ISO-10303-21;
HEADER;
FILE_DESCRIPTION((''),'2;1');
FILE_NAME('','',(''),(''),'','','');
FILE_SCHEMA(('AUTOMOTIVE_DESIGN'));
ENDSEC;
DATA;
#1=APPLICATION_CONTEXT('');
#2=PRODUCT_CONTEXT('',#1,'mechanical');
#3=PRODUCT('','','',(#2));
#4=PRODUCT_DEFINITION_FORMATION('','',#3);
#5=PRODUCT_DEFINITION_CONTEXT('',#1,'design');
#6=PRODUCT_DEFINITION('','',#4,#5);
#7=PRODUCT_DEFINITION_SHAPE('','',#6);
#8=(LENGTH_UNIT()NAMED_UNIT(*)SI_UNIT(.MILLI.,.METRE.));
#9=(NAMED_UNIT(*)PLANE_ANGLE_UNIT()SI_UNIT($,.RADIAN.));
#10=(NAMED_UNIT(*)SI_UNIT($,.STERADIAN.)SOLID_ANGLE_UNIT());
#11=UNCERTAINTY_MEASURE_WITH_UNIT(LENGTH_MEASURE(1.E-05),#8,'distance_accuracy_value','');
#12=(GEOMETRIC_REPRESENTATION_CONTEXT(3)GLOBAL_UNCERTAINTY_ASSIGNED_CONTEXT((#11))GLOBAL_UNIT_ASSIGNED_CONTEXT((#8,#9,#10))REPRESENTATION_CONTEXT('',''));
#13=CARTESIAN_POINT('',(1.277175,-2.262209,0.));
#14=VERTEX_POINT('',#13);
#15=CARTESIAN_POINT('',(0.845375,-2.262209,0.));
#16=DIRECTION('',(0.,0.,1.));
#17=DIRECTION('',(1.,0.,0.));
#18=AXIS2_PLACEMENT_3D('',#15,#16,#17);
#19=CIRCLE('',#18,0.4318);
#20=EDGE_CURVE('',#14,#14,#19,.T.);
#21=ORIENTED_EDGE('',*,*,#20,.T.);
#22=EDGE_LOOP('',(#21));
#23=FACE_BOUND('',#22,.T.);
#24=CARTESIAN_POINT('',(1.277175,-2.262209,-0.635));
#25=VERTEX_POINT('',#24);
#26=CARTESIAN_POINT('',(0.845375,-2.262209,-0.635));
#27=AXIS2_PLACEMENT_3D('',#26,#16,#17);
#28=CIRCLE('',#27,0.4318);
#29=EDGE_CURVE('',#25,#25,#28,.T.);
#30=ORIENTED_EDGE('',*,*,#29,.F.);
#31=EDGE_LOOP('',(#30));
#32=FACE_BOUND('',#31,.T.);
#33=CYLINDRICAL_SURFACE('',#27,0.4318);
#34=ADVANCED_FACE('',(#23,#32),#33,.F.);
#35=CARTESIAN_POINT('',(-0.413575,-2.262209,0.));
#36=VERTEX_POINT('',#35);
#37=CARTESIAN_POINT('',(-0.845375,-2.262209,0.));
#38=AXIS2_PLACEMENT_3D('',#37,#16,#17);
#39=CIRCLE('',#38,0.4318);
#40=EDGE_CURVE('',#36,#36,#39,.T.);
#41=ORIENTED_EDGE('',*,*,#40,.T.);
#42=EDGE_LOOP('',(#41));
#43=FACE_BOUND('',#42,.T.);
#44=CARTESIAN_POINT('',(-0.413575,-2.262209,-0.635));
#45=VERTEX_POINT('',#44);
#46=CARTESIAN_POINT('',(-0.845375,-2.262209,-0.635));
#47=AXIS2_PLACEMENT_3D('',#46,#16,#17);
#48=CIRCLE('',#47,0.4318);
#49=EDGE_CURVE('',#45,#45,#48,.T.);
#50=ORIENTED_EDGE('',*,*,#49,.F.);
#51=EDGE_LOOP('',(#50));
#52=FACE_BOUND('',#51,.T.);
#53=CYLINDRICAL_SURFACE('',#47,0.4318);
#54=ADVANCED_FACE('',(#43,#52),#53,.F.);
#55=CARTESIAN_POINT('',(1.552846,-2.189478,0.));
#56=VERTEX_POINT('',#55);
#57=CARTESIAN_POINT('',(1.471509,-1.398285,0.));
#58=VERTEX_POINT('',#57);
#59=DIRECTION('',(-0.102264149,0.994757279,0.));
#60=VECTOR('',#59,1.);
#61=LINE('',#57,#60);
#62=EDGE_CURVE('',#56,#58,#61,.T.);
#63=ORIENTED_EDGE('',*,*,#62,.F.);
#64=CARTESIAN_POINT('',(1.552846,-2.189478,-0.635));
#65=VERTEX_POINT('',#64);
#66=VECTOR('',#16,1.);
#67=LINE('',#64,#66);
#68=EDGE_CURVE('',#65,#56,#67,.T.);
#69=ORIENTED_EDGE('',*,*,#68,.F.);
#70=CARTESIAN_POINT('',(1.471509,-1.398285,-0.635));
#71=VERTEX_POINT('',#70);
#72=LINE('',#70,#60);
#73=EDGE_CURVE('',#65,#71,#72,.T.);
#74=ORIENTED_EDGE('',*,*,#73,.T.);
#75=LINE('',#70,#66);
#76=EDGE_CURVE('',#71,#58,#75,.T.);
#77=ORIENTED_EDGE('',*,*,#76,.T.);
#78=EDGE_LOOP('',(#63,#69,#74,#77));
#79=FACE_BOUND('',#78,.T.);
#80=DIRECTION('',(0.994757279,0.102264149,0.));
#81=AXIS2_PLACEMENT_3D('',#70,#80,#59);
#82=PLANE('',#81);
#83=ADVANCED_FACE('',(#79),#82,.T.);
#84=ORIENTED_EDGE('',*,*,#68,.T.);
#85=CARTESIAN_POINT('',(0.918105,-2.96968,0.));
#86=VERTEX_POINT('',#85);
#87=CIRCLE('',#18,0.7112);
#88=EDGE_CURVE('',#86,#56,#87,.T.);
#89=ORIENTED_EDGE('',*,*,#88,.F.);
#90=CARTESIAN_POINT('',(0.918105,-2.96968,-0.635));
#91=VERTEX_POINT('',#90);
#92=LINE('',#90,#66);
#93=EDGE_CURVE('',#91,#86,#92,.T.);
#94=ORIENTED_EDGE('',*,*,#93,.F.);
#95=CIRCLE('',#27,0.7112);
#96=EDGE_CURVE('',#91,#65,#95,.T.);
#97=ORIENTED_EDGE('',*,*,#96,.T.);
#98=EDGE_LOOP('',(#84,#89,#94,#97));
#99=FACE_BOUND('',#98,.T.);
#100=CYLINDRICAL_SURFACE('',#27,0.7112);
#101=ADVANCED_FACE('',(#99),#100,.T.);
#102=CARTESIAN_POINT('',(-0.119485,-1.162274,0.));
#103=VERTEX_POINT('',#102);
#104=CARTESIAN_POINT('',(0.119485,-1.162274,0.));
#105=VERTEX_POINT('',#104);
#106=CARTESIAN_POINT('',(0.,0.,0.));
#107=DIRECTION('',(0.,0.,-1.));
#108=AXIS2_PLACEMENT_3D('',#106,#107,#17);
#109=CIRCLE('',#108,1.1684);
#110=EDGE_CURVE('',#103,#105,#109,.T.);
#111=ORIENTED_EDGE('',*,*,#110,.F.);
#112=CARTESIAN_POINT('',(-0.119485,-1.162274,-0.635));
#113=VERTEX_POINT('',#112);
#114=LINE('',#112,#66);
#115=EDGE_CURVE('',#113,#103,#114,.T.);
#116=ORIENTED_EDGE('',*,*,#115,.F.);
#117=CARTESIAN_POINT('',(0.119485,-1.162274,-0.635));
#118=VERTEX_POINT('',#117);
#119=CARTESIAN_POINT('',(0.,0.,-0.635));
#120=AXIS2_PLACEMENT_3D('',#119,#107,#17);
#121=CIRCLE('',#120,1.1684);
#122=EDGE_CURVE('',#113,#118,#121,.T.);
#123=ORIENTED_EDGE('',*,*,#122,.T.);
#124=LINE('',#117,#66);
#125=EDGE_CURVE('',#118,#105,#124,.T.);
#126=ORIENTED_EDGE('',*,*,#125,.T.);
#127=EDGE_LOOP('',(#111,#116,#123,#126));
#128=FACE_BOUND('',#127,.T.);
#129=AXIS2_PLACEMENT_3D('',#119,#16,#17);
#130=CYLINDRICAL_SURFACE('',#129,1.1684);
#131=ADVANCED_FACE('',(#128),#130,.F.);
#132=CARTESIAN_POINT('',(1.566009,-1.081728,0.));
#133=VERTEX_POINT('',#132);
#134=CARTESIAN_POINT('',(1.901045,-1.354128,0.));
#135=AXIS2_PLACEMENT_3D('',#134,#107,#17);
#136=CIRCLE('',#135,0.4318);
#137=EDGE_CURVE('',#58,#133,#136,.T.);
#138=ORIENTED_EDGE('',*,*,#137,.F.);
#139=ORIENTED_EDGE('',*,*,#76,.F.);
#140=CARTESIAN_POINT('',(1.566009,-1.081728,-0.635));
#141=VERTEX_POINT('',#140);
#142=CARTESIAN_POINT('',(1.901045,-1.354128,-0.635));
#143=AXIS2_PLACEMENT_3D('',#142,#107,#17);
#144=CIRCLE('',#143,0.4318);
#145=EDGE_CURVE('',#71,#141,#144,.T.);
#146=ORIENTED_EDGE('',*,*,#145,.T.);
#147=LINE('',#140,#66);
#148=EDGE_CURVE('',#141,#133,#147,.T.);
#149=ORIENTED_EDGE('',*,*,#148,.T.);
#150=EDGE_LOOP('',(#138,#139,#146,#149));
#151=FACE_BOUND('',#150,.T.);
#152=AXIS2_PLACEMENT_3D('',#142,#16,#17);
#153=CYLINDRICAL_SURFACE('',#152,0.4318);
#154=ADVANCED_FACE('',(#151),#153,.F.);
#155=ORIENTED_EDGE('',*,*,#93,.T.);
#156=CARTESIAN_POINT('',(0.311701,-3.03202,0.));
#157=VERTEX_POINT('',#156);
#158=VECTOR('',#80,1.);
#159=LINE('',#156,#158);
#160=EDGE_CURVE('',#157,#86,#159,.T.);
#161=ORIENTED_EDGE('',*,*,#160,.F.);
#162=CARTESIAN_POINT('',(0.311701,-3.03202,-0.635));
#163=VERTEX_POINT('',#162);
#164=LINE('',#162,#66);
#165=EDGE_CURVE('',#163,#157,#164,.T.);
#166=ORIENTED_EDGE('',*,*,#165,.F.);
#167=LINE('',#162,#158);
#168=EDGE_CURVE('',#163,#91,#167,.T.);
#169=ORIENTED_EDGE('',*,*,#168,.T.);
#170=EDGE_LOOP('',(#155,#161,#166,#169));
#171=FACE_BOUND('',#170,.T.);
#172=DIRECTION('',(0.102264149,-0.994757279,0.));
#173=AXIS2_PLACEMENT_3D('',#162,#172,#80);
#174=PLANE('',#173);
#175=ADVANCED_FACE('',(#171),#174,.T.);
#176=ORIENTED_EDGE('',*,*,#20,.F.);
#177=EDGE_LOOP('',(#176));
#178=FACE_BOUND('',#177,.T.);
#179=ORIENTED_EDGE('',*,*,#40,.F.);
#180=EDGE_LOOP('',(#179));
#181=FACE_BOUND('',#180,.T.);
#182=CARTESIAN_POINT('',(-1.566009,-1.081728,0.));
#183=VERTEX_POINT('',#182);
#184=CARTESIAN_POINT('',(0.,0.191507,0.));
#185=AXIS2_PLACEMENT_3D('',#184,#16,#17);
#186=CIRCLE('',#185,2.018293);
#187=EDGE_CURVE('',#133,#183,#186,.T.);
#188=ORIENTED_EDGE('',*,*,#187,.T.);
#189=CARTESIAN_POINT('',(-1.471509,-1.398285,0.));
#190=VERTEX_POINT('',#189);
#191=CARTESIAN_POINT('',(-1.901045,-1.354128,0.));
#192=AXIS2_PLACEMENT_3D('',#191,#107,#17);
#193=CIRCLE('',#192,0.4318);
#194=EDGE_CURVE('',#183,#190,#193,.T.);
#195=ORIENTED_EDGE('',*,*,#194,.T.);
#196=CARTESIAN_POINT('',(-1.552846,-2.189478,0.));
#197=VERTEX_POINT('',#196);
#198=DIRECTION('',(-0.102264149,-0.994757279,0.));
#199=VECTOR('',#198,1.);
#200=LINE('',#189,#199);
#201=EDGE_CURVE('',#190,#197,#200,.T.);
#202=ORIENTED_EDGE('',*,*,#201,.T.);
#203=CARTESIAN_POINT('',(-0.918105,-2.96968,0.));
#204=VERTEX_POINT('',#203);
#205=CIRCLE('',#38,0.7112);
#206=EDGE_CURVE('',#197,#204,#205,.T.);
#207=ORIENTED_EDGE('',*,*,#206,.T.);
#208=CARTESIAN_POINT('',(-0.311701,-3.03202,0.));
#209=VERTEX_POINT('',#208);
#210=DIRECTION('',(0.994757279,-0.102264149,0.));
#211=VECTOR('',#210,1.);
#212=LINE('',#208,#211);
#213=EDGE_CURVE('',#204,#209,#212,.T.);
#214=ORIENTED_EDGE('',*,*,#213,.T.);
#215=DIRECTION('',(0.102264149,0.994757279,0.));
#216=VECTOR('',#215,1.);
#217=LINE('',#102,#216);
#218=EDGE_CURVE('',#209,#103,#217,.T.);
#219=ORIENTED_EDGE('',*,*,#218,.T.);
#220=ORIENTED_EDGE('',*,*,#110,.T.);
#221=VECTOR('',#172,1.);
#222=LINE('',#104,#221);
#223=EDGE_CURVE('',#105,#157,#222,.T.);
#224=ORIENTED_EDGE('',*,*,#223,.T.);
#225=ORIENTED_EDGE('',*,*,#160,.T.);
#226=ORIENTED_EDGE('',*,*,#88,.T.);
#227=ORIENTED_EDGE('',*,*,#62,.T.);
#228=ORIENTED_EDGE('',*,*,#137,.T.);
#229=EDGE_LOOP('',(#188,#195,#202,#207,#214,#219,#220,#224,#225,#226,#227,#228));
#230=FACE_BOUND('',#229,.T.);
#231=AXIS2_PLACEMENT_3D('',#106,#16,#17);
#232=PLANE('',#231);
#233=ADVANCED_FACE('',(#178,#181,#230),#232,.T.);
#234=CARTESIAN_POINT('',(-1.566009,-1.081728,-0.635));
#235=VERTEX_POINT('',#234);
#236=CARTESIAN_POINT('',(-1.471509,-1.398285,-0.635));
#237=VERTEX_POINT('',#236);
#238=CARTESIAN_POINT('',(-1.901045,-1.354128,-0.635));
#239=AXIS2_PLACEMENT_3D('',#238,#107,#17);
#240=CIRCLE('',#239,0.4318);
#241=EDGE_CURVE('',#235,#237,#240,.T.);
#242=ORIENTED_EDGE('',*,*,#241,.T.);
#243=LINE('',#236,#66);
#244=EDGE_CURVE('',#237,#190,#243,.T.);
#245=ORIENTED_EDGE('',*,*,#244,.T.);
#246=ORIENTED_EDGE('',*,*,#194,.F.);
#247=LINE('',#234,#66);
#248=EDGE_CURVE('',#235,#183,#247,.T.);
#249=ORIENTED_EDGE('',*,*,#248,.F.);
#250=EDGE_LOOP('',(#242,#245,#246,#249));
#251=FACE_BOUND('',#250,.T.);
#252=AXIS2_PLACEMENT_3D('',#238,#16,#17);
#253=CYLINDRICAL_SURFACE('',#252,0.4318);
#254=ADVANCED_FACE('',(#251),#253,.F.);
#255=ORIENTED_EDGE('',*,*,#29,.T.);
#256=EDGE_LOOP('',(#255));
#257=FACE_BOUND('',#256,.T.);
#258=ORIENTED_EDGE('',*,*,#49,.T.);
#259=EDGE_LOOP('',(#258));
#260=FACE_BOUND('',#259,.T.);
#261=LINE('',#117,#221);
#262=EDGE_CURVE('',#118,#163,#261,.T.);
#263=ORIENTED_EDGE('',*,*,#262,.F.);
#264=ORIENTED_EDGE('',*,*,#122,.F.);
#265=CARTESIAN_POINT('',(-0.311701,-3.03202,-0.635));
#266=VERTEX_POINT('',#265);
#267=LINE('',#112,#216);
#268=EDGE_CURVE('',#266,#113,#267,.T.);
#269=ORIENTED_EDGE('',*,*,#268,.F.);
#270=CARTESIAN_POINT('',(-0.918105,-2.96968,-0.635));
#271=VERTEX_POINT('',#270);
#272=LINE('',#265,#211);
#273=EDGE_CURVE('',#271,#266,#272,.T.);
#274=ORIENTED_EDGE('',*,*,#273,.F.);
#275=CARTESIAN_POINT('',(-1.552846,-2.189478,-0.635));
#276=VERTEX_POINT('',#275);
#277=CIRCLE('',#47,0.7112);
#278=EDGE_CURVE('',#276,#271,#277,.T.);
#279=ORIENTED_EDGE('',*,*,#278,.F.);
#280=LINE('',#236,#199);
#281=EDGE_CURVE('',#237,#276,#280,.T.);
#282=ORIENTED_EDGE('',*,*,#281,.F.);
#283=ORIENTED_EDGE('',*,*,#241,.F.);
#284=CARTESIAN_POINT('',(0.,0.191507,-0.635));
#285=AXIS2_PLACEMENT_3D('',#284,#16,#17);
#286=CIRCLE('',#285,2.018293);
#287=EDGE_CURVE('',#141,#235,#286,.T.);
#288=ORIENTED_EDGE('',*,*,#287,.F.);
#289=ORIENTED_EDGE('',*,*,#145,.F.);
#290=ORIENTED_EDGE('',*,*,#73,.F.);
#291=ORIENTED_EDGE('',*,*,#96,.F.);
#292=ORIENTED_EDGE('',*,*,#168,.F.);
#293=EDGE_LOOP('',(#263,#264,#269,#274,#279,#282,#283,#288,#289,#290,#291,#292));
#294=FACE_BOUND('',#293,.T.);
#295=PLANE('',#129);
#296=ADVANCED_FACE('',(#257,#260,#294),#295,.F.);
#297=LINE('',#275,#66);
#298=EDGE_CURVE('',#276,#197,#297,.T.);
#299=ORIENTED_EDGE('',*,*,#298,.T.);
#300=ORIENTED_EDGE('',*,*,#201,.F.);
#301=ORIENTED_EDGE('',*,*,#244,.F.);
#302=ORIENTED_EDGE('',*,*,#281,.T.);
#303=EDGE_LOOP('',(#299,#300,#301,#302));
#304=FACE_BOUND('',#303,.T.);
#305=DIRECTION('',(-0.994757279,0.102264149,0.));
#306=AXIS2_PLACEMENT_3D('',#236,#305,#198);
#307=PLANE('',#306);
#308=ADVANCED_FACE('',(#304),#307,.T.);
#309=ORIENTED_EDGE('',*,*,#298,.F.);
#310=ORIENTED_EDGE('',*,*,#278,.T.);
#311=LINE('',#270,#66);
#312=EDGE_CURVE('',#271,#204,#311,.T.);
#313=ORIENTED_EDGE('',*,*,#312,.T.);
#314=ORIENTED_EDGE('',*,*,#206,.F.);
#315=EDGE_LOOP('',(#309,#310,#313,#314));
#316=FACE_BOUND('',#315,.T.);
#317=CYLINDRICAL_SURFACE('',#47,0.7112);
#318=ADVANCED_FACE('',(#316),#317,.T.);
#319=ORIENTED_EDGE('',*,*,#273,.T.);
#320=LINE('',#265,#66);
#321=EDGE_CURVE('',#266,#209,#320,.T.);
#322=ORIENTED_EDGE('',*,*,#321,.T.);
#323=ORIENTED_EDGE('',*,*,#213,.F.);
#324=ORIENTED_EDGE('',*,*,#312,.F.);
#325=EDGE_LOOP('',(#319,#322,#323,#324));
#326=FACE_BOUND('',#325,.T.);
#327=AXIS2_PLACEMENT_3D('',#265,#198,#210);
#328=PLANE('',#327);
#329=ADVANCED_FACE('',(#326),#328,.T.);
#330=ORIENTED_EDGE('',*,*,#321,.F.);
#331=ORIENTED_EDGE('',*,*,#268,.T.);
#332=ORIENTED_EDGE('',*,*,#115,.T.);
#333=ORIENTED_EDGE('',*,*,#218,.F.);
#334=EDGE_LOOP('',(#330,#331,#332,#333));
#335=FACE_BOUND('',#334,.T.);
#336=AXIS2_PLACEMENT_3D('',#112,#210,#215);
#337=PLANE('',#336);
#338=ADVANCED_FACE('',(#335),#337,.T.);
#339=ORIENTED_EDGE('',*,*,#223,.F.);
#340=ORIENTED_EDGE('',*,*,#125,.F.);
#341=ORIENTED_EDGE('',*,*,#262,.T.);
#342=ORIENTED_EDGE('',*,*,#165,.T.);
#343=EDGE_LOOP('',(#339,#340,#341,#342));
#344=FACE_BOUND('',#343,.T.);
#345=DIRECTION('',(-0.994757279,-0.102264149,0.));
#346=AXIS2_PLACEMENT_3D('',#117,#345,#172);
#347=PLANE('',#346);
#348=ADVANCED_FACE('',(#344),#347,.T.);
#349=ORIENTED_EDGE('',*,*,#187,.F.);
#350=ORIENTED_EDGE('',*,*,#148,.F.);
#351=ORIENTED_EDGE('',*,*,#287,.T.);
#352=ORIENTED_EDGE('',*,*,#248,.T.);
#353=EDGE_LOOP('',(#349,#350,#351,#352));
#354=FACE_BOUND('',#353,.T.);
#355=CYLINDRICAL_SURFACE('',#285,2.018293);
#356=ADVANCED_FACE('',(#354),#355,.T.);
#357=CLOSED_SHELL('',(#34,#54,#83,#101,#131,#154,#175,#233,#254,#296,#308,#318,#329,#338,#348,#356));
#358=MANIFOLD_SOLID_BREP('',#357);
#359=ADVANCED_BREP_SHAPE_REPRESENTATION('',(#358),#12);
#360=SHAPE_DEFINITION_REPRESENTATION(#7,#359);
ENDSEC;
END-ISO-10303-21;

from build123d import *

# Parameters (mm, degrees)
BODY_DEPTH  = 0.635
HOLSKE_R    = 0.4318
HOLES_DEPTH = 4.697280077


with BuildPart() as part:
    # BodySke → Body (new body)
    with BuildSketch(Plane.XY):
        with BuildLine():
            Line((0.119485432, -1.162274405), (0.311701126, -3.032020186))
            Line((0.311701126, -3.032020186), (0.918105163, -2.969679961))
            ThreePointArc((0.918105163, -2.969679961), (1.39706077, -2.71103833), (1.552846277, -2.189478321))
            Line((1.552846277, -2.189478321), (1.471509157, -1.398285189))
            ThreePointArc((1.471509157, -1.398285189), (1.487288061, -1.230611759), (1.566008589, -1.081727806))
            ThreePointArc((1.566008589, -1.081727806), (0, 2.2098), (-1.566008589, -1.081727806))
            ThreePointArc((-1.566008589, -1.081727806), (-1.487288061, -1.230611759), (-1.471509157, -1.398285189))
            Line((-1.471509157, -1.398285189), (-1.552846277, -2.189478321))
            ThreePointArc((-1.552846277, -2.189478321), (-1.39706077, -2.71103833), (-0.918105163, -2.969679961))
            Line((-0.918105163, -2.969679961), (-0.311701126, -3.032020186))
            Line((-0.311701126, -3.032020186), (-0.119485432, -1.162274405))
            ThreePointArc((-0.119485432, -1.162274405), (0, 1.1684), (0.119485432, -1.162274405))
        make_face()
    extrude(amount=-BODY_DEPTH)

    # HolSke → Holes (cut, through all)
    with BuildSketch(Plane.XY):
        with Locations((0.8453749, -2.262208584)):
            Circle(HOLSKE_R)
        with Locations((-0.8453749, -2.262208584)):
            Circle(HOLSKE_R)
    extrude(amount=-HOLES_DEPTH, mode=Mode.SUBTRACT)


solid = part.part
